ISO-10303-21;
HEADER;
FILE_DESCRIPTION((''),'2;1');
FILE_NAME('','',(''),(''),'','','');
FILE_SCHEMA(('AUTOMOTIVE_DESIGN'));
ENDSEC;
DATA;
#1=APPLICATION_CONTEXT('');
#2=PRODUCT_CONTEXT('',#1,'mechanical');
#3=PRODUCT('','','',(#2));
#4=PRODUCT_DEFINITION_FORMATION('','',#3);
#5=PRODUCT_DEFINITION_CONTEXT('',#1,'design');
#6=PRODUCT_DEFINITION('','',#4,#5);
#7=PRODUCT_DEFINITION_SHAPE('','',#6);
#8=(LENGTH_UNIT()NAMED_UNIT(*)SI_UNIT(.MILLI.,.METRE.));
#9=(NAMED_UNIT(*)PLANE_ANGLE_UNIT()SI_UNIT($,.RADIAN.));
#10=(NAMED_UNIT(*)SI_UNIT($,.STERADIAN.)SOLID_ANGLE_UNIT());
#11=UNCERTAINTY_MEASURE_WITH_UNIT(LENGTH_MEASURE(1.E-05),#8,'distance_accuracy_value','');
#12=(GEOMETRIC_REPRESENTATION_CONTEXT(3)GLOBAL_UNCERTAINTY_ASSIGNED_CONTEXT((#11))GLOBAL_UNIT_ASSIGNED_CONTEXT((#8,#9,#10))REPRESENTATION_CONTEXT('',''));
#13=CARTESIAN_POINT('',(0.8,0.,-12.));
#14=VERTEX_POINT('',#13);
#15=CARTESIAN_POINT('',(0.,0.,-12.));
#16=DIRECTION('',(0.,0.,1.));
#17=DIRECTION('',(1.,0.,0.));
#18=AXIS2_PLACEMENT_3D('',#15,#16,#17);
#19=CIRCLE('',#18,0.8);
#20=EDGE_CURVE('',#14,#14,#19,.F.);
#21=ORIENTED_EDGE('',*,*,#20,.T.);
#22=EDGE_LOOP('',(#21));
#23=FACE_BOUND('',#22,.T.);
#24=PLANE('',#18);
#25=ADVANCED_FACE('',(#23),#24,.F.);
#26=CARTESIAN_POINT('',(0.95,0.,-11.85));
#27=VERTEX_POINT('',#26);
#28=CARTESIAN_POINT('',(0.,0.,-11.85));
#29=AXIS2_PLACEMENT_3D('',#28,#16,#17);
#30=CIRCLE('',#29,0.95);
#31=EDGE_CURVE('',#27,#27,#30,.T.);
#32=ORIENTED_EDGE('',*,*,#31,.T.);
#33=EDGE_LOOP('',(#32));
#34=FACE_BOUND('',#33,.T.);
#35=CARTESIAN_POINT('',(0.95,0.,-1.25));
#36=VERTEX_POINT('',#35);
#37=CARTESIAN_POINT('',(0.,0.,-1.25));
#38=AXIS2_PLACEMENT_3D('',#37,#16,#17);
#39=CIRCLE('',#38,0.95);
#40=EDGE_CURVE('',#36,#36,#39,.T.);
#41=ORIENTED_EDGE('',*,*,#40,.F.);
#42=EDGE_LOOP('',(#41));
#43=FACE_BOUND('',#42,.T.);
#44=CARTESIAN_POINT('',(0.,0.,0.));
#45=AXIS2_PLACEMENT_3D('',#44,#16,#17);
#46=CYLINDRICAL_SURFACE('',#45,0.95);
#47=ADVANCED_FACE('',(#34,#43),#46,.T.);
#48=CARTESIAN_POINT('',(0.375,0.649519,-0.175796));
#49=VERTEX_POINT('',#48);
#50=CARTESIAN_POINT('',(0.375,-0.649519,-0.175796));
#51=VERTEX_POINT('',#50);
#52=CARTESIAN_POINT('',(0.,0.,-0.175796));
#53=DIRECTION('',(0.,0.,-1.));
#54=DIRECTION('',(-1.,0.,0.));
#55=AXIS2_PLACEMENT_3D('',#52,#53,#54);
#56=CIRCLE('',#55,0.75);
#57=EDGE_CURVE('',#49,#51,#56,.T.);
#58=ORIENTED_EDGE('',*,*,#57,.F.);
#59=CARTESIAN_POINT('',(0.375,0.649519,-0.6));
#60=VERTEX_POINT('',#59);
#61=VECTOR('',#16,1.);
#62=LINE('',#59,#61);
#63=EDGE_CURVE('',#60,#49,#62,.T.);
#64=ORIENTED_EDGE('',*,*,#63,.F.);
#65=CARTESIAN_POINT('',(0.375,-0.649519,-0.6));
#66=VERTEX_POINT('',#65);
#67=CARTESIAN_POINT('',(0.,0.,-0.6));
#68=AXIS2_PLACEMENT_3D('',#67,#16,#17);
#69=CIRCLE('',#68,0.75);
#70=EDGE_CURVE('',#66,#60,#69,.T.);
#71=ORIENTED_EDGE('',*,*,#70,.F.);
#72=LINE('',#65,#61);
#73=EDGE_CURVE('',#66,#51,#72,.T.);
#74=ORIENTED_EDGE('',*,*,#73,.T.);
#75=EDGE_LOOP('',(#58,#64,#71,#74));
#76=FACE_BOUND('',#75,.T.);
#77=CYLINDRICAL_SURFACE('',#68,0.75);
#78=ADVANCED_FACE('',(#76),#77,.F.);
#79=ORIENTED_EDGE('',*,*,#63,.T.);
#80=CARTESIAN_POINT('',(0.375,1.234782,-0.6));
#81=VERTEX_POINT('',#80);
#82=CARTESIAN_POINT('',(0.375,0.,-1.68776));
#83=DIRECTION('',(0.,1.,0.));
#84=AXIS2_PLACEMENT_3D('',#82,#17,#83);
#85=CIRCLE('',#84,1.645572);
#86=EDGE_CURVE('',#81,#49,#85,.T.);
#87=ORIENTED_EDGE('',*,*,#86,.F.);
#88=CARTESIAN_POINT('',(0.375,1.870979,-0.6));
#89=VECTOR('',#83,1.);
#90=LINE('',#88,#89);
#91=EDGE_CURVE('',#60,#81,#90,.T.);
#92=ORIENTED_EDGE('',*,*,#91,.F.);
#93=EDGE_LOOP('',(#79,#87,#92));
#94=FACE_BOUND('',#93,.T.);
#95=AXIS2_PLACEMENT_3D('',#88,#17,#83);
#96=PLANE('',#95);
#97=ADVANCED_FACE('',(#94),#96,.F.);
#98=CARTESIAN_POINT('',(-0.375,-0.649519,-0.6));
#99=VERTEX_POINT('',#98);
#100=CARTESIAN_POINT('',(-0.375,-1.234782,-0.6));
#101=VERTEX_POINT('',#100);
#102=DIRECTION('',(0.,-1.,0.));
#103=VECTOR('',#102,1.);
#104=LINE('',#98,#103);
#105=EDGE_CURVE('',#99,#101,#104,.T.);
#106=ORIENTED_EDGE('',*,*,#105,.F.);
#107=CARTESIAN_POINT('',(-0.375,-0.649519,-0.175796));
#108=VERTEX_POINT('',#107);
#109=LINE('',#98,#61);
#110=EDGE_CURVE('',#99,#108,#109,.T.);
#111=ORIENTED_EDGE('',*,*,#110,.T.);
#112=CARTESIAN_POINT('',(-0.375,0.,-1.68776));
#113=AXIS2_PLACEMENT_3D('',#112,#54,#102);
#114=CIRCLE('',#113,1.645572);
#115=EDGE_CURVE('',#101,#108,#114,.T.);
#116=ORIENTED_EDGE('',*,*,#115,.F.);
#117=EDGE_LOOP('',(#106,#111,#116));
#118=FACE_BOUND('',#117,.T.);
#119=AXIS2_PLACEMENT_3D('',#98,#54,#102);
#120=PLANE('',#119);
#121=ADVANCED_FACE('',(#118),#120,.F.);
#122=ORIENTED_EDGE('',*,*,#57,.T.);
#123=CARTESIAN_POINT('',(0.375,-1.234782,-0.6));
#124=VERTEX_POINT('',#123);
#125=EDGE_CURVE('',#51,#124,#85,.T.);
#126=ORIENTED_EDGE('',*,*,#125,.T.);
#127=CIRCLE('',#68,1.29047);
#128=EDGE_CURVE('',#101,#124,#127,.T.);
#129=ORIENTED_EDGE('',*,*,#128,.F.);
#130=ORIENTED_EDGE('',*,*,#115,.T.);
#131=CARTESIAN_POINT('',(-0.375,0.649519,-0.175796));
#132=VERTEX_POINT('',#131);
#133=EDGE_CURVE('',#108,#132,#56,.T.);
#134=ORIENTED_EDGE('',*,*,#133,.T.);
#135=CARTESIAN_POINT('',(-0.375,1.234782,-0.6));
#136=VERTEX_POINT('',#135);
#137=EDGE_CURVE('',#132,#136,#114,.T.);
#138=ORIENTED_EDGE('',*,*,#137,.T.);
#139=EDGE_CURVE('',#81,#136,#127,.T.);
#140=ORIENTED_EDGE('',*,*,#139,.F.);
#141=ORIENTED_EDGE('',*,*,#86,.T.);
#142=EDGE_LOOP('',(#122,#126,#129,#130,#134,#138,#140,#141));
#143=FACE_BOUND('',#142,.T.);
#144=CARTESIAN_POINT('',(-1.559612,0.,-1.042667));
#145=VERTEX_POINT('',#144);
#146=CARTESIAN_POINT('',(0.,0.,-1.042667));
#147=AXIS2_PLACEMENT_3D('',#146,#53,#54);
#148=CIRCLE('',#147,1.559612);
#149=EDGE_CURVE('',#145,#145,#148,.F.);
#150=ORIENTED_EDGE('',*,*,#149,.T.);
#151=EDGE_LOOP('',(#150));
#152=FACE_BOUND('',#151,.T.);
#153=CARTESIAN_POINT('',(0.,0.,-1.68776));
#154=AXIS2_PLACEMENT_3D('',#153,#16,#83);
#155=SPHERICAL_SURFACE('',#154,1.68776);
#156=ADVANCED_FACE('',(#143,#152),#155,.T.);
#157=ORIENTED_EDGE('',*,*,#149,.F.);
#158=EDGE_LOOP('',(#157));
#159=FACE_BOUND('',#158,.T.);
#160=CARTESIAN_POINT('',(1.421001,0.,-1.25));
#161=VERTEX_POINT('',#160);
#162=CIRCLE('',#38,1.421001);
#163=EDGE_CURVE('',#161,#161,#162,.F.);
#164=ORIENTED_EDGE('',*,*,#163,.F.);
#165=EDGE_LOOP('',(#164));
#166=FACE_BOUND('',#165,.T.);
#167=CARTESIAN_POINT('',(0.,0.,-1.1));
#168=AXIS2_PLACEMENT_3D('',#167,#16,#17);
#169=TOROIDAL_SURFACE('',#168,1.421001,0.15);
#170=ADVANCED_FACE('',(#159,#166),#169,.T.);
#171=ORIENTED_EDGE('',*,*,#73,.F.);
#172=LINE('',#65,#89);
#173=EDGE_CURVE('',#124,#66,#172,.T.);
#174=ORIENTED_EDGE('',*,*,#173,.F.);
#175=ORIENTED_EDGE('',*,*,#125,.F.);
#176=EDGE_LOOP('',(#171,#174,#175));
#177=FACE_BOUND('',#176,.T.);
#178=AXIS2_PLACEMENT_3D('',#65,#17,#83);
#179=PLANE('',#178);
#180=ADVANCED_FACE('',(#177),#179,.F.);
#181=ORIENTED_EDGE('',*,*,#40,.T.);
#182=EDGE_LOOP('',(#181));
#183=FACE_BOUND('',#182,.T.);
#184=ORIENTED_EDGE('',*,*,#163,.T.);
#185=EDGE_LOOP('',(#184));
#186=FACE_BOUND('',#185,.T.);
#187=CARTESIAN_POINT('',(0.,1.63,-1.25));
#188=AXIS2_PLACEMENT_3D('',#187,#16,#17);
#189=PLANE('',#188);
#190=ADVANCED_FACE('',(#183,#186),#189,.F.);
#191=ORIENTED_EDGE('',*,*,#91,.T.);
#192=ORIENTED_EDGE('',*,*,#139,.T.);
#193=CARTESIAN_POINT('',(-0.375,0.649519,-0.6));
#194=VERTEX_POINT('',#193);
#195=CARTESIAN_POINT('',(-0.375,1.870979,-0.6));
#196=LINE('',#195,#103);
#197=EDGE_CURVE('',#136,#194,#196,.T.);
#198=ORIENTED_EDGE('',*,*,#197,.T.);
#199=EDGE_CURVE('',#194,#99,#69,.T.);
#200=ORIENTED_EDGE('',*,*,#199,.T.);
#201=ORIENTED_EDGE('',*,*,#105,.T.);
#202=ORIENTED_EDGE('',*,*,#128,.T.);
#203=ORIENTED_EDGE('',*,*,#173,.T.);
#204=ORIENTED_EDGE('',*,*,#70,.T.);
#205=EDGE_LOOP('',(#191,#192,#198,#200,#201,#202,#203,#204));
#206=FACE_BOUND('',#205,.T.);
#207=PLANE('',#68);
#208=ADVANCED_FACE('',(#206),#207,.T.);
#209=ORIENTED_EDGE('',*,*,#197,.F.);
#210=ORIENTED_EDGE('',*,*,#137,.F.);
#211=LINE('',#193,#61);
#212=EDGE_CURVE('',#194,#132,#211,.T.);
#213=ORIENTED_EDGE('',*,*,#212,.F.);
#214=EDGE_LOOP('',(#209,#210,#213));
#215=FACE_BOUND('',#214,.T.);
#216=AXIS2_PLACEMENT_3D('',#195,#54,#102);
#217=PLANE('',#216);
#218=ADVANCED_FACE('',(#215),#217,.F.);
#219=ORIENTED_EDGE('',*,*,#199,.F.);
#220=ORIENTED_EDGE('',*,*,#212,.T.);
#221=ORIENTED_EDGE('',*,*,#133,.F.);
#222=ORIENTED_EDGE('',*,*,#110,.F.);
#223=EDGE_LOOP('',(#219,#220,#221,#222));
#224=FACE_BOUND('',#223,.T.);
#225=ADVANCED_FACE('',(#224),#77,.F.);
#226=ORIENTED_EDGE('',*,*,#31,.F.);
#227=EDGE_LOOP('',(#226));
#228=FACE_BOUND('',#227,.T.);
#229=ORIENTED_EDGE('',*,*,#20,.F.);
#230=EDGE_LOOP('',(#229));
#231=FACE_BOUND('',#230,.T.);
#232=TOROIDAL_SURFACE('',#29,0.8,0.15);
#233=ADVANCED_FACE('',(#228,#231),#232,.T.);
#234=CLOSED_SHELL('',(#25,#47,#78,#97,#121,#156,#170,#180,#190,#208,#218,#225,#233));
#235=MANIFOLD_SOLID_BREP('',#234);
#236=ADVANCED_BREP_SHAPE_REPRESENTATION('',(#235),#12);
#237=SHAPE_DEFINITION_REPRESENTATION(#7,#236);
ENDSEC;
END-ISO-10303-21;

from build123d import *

# Parameters (mm, degrees)
CUT_EXTRUDE1_DEPTH = 0.6
FILLET1_R          = 0.15


with BuildPart() as part:
    # Sketch4 → Revolve2 (revolve)
    with BuildSketch(Plane(origin=(0, 0, 0), x_dir=(0, 0, -1), z_dir=(1, 0, 0))):
        with BuildLine():
            Line((0, 0), (12, 0))
            Line((12, 0), (12, 0.95))
            Line((12, 0.95), (1.25, 0.95))
            Line((1.25, 0.95), (1.25, 1.63))
            ThreePointArc((1.25, 1.63), (0.348475184, 1.027058908), (0, 0))
        make_face()
    revolve(axis=Axis((0, 0, 0), (0, 0, -1)))

    # Sketch5 → Cut-Extrude1 (cut)
    with BuildSketch(Plane.XY):
        with BuildLine():
            Line((-0.375, -0.649519053), (-0.375, -1.87097888))
            Line((-0.375, -1.87097888), (0.375, -1.87097888))
            Line((0.375, -1.87097888), (0.375, -0.649519053))
            ThreePointArc((0.375, -0.649519053), (0.75, 0), (0.375, 0.649519053))
            Line((0.375, 0.649519053), (0.375, 1.87097888))
            Line((0.375, 1.87097888), (-0.375, 1.87097888))
            Line((-0.375, 1.87097888), (-0.375, 0.649519053))
            ThreePointArc((-0.375, 0.649519053), (-0.75, 0), (-0.375, -0.649519053))
        make_face()
    extrude(amount=-CUT_EXTRUDE1_DEPTH, mode=Mode.SUBTRACT)

    # Fillet1
    fillet1_edges = [part.edges().sort_by_distance(p)[0] for p in [
        (0, -1.63, -1.25),
        (0, -0.95, -12),
    ]]
    fillet(fillet1_edges, radius=FILLET1_R)


solid = part.part
